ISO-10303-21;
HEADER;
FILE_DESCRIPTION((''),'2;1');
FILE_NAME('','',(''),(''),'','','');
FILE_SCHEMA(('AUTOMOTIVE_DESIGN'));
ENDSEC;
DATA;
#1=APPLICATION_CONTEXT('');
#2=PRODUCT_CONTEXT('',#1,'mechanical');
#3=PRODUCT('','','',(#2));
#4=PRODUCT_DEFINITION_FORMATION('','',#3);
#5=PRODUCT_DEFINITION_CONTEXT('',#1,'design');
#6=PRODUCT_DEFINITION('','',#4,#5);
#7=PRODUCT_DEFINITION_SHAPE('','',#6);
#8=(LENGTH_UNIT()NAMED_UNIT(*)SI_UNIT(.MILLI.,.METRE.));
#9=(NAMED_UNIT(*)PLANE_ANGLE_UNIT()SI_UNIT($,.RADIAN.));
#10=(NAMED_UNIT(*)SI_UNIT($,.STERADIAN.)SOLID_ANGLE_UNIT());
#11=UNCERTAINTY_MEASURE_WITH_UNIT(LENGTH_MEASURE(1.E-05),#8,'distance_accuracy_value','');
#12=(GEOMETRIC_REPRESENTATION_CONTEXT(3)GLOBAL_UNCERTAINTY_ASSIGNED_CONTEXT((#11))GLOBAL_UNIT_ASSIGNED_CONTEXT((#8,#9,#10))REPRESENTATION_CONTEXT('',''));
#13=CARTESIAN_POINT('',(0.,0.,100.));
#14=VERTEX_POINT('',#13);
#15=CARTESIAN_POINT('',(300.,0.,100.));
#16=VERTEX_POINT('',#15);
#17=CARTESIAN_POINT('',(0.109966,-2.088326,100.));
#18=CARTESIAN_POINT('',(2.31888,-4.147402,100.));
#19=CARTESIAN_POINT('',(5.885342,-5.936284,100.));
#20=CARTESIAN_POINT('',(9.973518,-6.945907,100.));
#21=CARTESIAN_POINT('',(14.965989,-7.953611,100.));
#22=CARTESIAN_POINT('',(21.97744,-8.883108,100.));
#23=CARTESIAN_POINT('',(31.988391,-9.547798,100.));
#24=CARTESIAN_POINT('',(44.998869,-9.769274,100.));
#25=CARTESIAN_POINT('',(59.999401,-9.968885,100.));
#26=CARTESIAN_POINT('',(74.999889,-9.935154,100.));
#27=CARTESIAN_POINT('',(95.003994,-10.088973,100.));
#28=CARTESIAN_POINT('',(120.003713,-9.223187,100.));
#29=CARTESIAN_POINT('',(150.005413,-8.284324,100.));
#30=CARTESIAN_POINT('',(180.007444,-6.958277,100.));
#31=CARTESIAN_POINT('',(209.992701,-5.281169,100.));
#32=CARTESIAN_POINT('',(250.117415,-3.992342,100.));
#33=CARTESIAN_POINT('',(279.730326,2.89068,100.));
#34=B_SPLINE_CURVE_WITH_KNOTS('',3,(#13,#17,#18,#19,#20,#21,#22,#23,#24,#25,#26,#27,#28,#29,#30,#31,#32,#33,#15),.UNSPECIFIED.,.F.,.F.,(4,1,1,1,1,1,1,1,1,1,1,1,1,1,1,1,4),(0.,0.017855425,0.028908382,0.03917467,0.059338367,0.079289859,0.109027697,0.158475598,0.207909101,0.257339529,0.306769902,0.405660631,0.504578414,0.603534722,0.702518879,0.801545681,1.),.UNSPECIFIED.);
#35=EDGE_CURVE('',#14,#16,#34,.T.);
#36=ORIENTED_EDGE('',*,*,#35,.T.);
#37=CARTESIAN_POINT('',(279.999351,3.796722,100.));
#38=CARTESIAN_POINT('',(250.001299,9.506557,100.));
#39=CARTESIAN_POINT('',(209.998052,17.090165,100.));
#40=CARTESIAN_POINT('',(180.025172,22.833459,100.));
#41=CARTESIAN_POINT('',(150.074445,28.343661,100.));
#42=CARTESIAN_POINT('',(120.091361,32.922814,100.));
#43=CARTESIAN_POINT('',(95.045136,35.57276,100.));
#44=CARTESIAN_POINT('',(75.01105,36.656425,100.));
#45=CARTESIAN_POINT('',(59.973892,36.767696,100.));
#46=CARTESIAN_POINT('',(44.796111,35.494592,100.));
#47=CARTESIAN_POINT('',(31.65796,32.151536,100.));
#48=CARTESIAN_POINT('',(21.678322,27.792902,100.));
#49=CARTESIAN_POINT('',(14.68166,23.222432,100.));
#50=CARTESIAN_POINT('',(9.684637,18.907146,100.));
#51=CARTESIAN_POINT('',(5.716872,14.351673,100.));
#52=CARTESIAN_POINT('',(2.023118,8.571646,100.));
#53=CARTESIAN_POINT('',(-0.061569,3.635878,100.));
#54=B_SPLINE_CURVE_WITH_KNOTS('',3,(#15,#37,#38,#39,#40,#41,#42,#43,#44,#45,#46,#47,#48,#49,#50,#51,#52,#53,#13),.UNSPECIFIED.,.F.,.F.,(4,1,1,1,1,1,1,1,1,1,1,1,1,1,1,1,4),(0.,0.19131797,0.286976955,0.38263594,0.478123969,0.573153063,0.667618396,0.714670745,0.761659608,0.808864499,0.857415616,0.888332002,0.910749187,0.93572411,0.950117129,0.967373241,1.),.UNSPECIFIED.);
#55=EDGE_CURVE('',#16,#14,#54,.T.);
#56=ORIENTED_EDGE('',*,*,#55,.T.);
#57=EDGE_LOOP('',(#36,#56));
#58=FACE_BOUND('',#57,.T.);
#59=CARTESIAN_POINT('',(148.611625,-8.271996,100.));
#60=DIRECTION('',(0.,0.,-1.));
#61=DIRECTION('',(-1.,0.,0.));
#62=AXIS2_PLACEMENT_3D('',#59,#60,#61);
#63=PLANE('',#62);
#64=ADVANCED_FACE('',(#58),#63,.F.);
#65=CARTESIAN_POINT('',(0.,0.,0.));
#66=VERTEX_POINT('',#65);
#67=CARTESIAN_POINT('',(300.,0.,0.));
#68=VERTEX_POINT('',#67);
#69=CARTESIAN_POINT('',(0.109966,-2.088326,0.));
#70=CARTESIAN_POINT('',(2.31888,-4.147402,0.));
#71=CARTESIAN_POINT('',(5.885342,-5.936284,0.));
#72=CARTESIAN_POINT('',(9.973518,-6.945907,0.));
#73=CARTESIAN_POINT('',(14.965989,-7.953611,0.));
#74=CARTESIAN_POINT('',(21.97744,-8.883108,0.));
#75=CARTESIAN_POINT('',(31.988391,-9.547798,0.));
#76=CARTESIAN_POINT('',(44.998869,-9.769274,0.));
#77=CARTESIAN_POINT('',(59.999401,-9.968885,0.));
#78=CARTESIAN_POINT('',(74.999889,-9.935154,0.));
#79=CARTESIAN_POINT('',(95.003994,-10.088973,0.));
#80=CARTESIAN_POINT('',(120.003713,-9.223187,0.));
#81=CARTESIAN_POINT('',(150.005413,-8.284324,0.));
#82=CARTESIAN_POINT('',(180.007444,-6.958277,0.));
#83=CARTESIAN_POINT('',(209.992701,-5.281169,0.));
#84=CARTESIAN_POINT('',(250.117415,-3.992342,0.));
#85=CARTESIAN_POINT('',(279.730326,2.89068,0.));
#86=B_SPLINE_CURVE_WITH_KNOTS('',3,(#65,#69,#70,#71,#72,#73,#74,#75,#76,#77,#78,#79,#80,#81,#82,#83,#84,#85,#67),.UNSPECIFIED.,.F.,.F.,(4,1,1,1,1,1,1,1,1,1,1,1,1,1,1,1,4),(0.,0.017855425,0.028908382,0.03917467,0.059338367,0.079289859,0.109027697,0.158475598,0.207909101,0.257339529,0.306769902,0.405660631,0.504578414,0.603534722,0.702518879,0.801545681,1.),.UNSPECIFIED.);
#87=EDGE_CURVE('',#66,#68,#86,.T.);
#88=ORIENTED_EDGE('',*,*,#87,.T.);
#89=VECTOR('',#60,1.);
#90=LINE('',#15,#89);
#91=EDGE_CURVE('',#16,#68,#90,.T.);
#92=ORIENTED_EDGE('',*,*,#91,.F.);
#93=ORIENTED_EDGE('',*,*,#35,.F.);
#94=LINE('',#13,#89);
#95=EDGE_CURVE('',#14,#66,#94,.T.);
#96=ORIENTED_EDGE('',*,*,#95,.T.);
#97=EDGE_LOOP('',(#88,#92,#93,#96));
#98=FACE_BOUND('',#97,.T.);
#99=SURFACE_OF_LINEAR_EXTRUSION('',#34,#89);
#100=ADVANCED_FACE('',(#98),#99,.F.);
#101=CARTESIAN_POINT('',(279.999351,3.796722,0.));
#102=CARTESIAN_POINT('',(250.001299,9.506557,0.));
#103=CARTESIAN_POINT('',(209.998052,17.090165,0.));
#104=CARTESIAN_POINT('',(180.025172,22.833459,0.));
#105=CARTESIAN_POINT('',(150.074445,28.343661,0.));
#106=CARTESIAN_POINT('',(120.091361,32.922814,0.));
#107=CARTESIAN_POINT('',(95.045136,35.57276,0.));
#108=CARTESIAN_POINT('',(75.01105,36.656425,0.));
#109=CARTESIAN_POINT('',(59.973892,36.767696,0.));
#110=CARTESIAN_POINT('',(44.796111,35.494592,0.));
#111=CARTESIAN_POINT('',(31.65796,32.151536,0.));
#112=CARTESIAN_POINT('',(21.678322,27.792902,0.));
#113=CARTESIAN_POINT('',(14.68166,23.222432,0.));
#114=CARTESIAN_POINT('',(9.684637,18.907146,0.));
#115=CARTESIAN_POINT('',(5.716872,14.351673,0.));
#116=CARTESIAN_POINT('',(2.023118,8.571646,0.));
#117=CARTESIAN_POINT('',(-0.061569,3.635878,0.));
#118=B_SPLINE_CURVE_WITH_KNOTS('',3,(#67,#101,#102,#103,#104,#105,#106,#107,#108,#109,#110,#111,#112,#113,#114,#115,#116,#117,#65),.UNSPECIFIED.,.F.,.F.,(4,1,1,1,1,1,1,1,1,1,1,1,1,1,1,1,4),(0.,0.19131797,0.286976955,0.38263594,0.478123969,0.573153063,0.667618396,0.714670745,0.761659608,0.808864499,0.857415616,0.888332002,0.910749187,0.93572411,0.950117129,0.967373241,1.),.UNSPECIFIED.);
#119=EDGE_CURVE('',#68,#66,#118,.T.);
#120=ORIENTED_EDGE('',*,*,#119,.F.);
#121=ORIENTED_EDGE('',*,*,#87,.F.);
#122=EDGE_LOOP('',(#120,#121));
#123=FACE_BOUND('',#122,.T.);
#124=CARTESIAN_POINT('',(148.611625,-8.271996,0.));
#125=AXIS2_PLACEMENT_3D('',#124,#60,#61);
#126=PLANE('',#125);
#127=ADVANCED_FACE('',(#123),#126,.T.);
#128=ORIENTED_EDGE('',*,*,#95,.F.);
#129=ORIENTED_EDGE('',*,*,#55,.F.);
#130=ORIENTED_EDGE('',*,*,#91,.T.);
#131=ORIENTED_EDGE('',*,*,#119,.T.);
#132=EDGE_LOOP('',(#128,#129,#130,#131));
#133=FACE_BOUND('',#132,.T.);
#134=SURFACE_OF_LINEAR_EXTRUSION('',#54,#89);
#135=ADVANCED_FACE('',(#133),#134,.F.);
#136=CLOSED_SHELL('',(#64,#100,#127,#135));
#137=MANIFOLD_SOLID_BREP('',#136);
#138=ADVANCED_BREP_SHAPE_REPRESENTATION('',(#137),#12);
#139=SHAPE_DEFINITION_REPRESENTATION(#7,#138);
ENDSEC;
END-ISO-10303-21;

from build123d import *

# Parameters (mm, degrees)
BOSS_EXTRUDE1_DEPTH = 100


with BuildPart() as part:
    # Sketch1 → Boss-Extrude1 (new body)
    with BuildSketch(Plane.XY):
        with BuildLine():
            add(Edge.make_bspline(
                [(0, 0), (-0.061569315, 3.635877789), (2.02311798, 8.571646025), (5.716871998, 14.35167324), (9.684636682, 18.907146154), (14.68165982, 23.222431975), (21.678321773, 27.792902268), (31.657960187, 32.151535747), (44.796111212, 35.494591959), (59.973891815, 36.767696495), (75.011049543, 36.656424828), (95.045136495, 35.57275994), (120.091360879, 32.922814303), (150.074444959, 28.343660979), (180.025171785, 22.833458766), (209.998051758, 17.090164757), (250.001298828, 9.506556828), (279.999350586, 3.796721586), (300, 0)],
                knots=[0, 0, 0, 0, 0.032626759, 0.049882871, 0.06427589, 0.089250813, 0.111667998, 0.142584384, 0.191135501, 0.238340392, 0.285329255, 0.332381604, 0.426846937, 0.521876031, 0.61736406, 0.713023045, 0.80868203, 1, 1, 1, 1], degree=3))
            add(Edge.make_bspline(
                [(0, 0), (0.109965837, -2.088326439), (2.318880242, -4.147402453), (5.885341737, -5.936283724), (9.973517993, -6.945906567), (14.965989304, -7.953610628), (21.977440019, -8.883108377), (31.988390682, -9.547798379), (44.99886863, -9.769274376), (59.999400804, -9.968885143), (74.999888789, -9.935153647), (95.003993643, -10.088973243), (120.003712789, -9.223187036), (150.005412936, -8.28432429), (180.007444474, -6.958276921), (209.992700767, -5.281169279), (250.117414697, -3.992342078), (279.730326225, 2.890679862), (300, 0)],
                knots=[0, 0, 0, 0, 0.017855425, 0.028908382, 0.03917467, 0.059338367, 0.079289859, 0.109027697, 0.158475598, 0.207909101, 0.257339529, 0.306769902, 0.405660631, 0.504578414, 0.603534722, 0.702518879, 0.801545681, 1, 1, 1, 1], degree=3))
        make_face()
    extrude(amount=BOSS_EXTRUDE1_DEPTH)


solid = part.part
